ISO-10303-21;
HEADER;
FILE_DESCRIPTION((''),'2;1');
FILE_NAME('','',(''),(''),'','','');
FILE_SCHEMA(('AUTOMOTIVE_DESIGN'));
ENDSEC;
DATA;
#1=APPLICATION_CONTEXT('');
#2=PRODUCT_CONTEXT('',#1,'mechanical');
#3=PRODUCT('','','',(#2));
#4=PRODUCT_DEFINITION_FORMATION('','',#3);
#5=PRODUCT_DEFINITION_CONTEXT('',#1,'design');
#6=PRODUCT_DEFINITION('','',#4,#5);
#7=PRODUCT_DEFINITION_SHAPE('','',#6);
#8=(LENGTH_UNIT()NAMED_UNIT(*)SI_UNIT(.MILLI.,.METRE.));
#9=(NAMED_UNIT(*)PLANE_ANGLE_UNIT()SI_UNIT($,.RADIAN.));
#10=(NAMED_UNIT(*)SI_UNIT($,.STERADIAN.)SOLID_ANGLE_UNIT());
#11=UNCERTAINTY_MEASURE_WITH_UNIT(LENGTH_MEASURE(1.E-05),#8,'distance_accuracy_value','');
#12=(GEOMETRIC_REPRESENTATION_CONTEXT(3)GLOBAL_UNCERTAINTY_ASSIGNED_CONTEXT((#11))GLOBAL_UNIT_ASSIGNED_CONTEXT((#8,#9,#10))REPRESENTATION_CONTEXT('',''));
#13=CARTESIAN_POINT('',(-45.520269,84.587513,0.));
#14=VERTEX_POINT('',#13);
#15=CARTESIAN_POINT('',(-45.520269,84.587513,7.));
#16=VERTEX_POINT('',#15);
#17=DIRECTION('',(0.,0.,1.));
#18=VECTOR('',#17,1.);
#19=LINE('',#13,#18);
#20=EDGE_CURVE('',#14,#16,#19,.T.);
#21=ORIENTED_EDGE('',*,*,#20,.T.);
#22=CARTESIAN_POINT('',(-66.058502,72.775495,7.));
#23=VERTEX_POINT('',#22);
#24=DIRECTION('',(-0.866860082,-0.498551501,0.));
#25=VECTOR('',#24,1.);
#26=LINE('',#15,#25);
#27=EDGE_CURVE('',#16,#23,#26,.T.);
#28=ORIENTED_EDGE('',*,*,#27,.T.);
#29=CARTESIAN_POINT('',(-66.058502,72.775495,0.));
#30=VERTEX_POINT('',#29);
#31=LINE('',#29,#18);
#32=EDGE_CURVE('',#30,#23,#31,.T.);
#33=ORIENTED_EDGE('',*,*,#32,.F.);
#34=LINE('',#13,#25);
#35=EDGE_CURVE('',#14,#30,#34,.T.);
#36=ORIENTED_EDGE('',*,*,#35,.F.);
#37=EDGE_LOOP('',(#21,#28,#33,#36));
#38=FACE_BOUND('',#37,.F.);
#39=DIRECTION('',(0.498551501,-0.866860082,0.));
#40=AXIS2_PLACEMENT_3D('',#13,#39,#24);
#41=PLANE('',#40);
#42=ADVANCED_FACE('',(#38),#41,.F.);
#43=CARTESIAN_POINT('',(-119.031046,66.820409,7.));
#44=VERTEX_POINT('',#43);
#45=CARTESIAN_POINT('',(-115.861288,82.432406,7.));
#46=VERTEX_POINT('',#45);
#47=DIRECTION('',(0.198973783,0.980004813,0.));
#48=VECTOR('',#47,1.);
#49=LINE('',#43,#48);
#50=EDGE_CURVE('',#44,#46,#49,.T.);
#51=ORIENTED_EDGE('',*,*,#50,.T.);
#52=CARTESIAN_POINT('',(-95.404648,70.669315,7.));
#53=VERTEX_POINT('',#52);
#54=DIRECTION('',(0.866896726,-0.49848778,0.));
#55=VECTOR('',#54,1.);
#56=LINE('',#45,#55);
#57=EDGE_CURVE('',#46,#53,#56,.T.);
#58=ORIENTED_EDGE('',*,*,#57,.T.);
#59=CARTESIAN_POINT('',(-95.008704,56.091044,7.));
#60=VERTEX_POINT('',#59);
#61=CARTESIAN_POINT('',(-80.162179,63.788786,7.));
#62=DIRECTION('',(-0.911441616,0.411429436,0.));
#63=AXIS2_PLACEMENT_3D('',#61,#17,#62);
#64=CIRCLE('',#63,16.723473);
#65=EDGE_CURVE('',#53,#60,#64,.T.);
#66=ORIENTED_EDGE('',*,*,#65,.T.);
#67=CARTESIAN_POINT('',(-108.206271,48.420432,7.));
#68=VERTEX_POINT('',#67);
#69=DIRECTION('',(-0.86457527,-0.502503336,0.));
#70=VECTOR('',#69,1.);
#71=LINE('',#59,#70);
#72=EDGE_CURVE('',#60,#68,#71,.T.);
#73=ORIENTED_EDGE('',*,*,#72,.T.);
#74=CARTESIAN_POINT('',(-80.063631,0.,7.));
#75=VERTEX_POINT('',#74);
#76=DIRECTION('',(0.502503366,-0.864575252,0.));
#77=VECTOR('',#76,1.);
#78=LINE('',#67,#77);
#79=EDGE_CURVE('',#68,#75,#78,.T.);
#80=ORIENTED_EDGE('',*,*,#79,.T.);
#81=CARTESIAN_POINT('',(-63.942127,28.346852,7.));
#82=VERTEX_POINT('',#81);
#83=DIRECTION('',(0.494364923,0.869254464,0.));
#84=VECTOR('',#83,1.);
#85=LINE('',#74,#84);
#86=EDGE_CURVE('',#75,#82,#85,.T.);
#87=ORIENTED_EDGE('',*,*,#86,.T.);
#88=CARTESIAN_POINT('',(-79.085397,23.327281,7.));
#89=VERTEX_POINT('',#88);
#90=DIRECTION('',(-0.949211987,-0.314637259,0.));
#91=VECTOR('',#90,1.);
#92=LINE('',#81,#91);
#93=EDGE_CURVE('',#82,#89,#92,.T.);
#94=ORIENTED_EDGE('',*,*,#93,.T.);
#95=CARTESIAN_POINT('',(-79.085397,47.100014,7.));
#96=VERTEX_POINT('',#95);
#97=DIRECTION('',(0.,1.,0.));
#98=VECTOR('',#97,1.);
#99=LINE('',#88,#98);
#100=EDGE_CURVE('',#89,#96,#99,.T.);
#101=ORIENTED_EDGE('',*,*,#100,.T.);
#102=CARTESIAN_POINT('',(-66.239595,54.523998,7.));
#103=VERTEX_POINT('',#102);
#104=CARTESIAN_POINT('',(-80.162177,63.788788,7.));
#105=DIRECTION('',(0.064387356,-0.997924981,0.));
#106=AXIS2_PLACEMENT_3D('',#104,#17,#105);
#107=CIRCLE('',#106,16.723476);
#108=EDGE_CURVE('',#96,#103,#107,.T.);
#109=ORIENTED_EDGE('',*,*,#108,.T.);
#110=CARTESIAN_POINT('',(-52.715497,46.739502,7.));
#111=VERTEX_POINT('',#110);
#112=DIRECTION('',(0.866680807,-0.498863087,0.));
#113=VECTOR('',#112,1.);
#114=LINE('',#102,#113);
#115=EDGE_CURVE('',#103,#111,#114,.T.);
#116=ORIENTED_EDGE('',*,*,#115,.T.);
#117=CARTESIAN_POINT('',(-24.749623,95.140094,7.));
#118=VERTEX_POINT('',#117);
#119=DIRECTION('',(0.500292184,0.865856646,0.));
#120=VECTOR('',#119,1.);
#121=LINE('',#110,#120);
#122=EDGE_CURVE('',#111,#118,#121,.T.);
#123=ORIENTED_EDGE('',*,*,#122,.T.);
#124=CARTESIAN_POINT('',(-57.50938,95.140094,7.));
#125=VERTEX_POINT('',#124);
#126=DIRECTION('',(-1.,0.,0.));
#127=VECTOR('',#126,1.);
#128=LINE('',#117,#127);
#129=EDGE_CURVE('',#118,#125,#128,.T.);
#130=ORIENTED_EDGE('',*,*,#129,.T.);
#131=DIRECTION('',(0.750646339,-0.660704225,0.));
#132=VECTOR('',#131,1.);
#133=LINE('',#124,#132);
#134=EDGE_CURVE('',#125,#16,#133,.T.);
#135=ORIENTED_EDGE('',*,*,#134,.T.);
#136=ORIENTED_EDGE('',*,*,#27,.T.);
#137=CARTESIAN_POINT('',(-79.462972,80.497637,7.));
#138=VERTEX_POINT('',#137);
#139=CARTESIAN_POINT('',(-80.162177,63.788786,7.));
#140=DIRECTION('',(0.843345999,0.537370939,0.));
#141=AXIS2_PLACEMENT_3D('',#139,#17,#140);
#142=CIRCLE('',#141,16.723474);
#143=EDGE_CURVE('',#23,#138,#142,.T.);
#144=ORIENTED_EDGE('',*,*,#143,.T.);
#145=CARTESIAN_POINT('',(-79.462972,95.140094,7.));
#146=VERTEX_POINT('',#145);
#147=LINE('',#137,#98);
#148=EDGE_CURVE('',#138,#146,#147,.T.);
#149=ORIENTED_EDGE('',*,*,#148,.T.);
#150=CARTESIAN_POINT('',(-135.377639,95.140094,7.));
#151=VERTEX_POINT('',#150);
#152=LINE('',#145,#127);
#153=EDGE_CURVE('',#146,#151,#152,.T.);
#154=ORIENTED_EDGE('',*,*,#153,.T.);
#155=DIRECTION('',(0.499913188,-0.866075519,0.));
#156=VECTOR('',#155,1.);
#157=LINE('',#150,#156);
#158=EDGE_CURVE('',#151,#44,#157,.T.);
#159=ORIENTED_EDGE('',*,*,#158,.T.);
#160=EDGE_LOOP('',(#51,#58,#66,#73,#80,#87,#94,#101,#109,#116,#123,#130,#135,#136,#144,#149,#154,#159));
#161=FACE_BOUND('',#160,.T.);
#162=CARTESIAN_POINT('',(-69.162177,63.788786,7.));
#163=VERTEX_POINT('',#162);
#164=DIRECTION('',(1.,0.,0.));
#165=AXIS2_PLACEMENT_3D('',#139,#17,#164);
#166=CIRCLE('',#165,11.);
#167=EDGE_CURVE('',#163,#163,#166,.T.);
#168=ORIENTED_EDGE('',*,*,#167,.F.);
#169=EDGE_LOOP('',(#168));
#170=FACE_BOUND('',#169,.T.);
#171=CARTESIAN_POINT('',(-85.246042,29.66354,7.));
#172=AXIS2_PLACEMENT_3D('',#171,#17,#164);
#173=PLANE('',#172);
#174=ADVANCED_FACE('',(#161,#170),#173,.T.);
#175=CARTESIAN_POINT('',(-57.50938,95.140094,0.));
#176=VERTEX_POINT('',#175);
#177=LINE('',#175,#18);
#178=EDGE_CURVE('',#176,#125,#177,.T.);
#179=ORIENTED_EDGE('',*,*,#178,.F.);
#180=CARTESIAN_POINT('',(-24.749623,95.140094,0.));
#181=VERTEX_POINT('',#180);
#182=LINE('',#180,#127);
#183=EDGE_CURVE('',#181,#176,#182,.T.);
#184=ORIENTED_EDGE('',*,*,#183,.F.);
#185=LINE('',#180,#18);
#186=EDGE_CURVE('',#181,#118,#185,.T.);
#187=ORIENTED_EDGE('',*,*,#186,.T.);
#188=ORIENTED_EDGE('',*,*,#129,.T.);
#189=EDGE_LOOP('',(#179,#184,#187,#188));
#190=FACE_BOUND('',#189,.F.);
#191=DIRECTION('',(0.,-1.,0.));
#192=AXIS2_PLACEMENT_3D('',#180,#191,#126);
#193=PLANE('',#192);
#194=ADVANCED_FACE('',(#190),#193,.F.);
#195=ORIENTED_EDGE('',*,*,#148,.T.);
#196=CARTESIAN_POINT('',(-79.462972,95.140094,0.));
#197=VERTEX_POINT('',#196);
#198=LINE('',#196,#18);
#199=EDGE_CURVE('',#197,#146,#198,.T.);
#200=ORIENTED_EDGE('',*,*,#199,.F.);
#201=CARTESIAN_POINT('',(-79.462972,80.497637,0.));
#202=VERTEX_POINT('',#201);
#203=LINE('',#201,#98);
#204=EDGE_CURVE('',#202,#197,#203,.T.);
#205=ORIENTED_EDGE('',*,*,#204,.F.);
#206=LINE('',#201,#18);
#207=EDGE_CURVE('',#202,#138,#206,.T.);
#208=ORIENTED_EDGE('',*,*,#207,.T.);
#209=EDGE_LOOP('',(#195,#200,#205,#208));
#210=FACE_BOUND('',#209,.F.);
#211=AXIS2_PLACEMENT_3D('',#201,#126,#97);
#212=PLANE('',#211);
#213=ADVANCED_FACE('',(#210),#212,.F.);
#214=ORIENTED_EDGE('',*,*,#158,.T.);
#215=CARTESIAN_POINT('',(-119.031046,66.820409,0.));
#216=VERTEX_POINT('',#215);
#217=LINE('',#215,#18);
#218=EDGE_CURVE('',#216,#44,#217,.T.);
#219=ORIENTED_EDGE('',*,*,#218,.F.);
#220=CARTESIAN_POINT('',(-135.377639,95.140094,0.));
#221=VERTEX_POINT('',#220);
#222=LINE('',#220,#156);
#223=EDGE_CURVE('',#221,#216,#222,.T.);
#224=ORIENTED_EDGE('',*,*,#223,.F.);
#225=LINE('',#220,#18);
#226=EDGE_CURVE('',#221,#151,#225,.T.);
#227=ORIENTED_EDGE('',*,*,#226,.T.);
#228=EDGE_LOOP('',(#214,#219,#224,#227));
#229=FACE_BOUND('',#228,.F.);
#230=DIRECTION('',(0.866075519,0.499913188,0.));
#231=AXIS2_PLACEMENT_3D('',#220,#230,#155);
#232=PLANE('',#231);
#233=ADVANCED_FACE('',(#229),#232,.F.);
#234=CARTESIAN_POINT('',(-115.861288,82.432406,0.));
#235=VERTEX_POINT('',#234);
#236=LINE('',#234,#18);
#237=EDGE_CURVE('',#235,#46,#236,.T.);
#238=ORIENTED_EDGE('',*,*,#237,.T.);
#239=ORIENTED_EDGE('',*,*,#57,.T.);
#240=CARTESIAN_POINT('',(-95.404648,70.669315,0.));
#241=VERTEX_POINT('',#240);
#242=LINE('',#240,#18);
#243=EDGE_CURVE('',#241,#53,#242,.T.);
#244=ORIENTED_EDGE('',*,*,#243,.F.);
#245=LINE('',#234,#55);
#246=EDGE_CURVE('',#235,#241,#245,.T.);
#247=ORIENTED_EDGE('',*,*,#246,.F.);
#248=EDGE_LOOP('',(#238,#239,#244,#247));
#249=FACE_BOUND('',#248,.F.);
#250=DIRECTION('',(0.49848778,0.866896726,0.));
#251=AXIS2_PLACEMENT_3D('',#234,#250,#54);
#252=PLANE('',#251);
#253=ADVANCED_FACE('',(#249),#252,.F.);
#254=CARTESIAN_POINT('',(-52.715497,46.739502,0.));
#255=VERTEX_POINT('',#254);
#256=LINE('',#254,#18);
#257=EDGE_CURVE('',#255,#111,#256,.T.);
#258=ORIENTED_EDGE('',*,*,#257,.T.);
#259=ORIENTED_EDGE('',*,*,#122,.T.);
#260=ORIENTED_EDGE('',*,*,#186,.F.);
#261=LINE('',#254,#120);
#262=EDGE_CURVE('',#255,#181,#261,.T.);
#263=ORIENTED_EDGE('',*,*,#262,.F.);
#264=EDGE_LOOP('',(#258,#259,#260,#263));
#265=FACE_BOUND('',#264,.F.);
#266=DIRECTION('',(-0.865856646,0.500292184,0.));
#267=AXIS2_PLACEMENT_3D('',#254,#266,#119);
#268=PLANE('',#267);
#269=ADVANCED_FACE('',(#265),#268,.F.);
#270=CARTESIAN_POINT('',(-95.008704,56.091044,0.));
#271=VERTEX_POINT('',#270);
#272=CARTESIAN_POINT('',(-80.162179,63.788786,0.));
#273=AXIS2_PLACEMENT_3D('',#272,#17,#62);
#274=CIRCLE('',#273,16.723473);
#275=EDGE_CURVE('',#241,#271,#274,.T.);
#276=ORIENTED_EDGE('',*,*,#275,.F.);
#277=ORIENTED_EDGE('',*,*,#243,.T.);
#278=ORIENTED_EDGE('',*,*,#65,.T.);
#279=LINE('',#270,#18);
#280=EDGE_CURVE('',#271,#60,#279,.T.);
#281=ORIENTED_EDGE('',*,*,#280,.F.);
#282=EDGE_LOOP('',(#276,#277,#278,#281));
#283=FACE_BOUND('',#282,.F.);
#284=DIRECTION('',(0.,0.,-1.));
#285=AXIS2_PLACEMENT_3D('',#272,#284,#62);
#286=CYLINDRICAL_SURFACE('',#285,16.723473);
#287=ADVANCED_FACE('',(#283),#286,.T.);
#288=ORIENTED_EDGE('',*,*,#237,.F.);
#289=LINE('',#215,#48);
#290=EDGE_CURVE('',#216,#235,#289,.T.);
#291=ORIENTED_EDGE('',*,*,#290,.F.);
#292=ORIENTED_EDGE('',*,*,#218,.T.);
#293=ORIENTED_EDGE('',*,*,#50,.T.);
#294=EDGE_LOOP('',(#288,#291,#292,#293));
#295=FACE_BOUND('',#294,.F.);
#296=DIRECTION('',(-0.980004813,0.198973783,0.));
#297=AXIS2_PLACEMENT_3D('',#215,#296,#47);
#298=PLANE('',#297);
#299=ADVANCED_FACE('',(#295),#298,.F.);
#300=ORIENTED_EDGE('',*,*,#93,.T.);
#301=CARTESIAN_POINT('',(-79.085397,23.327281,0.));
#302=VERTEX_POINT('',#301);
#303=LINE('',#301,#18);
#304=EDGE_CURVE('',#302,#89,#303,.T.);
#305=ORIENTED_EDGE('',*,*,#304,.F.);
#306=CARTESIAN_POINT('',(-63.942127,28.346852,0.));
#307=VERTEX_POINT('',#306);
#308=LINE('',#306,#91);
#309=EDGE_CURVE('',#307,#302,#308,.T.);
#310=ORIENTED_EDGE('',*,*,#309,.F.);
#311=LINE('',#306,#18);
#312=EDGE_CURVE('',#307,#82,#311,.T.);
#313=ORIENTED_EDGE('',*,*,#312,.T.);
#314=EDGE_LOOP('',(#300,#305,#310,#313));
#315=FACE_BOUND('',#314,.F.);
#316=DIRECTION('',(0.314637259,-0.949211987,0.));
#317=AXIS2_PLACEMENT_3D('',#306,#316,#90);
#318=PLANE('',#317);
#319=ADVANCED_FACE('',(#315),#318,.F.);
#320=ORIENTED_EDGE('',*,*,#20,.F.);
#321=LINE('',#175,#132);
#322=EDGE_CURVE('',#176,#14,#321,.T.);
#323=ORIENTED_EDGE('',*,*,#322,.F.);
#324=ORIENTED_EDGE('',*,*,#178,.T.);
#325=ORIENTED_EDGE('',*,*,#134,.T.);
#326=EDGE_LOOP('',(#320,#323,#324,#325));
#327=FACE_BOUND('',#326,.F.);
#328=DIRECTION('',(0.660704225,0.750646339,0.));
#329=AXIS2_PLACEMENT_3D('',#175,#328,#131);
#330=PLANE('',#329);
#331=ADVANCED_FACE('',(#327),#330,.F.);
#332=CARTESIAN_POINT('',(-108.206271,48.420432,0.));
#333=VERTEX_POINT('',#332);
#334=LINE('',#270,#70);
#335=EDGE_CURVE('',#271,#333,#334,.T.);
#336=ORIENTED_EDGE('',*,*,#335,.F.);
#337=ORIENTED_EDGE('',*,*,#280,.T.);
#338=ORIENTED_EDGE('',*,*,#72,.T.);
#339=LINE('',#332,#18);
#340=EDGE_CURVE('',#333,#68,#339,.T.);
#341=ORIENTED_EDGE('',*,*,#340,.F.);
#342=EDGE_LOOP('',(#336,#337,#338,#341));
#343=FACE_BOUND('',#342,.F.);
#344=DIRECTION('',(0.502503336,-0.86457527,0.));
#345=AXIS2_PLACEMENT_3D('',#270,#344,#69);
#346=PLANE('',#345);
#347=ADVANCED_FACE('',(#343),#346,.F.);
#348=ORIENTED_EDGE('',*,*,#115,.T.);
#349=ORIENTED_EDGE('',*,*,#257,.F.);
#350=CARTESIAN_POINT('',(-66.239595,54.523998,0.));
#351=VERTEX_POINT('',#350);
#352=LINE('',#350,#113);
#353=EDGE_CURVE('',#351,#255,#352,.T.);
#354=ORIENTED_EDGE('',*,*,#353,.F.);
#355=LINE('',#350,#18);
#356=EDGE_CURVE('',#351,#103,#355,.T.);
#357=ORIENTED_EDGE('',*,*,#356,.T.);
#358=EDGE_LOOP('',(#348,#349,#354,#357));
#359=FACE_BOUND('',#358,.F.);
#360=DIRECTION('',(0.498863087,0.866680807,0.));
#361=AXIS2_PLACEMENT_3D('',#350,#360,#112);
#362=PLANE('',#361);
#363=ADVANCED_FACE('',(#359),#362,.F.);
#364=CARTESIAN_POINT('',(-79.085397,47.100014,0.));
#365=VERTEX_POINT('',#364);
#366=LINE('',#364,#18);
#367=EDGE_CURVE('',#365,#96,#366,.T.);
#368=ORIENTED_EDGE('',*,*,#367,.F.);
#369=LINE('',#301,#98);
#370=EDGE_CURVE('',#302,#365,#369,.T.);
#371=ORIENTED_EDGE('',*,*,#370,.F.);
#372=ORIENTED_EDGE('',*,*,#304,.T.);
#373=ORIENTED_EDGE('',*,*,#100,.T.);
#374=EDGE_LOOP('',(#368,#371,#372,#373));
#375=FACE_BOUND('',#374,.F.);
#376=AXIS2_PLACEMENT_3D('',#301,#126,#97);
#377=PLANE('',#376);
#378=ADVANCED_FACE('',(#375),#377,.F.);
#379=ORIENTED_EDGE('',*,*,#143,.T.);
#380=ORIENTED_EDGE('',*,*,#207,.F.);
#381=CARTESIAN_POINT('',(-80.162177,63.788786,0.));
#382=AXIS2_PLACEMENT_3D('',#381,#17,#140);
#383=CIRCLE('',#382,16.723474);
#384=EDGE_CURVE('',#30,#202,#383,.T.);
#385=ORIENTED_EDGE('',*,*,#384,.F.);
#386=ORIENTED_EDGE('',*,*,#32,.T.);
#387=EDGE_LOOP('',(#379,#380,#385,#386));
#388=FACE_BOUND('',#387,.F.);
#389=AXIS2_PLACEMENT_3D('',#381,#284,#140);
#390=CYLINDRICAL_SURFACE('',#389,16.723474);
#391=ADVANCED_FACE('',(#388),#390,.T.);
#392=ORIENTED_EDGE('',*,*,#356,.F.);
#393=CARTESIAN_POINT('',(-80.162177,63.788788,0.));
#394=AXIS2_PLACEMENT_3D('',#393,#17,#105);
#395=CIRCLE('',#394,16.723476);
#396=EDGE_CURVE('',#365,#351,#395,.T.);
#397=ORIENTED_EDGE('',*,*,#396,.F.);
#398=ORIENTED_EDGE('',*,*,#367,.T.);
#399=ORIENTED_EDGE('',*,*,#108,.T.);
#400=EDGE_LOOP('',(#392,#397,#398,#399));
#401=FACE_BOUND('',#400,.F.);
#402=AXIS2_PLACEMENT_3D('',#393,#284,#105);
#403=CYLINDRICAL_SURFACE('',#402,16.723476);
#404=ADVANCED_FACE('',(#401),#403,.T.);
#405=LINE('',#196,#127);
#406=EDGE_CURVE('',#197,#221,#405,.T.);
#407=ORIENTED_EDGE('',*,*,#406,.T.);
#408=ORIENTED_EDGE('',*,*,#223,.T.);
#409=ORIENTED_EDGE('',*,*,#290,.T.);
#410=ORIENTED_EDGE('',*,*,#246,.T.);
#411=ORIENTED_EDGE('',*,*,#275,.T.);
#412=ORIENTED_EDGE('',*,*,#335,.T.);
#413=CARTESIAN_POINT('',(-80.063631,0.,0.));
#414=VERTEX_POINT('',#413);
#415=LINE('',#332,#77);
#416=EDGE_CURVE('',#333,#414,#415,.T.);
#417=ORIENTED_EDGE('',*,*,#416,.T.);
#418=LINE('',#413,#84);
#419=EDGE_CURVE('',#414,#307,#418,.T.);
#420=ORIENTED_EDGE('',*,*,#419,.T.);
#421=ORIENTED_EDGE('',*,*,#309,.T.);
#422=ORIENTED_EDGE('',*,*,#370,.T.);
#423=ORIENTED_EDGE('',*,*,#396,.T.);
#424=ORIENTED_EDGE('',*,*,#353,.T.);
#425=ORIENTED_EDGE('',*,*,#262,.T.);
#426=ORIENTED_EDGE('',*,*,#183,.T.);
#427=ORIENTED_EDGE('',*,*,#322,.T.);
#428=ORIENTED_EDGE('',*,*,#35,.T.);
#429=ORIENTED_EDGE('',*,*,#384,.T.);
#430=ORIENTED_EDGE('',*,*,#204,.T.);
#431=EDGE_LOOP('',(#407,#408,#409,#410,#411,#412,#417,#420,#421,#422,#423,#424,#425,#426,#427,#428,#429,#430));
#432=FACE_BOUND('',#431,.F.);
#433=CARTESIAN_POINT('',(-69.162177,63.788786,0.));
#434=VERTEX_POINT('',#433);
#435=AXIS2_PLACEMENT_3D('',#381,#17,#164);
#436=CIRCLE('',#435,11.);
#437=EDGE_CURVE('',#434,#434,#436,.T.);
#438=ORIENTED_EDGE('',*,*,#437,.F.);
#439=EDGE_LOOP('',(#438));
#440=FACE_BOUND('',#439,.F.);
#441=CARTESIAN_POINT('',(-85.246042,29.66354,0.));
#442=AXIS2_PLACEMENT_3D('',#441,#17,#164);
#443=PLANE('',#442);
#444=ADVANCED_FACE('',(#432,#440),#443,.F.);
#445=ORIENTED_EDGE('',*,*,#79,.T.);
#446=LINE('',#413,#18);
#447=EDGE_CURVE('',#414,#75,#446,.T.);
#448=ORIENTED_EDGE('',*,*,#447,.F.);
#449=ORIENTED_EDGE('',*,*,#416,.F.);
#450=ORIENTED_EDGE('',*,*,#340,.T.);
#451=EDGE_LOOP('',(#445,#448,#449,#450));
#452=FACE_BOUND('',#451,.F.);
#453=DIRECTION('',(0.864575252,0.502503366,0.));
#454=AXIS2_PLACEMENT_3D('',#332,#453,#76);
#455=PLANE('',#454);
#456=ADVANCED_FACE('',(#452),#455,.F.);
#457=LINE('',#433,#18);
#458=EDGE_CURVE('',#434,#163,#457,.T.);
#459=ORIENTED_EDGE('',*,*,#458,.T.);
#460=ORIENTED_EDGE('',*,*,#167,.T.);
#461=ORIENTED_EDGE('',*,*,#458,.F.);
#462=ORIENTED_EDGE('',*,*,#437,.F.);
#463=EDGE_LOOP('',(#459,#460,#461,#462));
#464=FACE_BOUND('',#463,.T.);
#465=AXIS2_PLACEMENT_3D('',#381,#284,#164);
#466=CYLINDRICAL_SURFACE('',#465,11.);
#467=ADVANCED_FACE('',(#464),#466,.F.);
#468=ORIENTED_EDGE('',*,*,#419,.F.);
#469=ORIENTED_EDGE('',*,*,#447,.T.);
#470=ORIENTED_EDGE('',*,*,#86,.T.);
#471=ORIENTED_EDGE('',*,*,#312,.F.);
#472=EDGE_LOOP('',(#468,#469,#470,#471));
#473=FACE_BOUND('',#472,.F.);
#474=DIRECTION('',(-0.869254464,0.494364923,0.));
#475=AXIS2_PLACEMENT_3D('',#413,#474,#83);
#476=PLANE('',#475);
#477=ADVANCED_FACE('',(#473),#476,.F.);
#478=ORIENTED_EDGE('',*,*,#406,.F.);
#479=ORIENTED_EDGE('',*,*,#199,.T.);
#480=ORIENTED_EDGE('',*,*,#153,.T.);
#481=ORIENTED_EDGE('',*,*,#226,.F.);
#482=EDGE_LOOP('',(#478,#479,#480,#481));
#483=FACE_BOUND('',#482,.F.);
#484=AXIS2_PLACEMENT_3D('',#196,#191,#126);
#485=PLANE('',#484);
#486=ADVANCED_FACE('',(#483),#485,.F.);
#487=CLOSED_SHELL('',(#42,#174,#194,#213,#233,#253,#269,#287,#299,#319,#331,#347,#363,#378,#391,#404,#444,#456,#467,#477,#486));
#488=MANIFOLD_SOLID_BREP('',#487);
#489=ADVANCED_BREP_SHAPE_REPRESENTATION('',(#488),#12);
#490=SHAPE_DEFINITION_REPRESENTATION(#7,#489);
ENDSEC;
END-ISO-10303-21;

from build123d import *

# Parameters (mm, degrees)
F0_R     = 11
F1_DEPTH = 7


with BuildPart() as f1:
    # F0 (on Top) → F1 (new body)
    with BuildSketch(Plane.XY):
        with BuildLine():
            Line((-79.085397, 23.327281), (-79.085397, 47.100014))
            ThreePointArc((-79.085397, 47.100014), (-88.384777, 49.226388), (-95.008704, 56.091044))
            Line((-95.008704, 56.091044), (-108.206271, 48.420432))
            Line((-108.206271, 48.420432), (-80.063631, 0))
            Line((-80.063631, 0), (-63.942127, 28.346852))
            Line((-63.942127, 28.346852), (-79.085397, 23.327281))
        make_face()
        with BuildLine():
            ThreePointArc((-66.239595, 54.523998), (-64.154233, 58.949331), (-63.438703, 63.788786))
            ThreePointArc((-63.438703, 63.788786), (-64.107006, 68.469178), (-66.058502, 72.775495))
            ThreePointArc((-66.058502, 72.775495), (-71.814172, 78.279659), (-79.462972, 80.497637))
            ThreePointArc((-79.462972, 80.497637), (-88.938601, 78.024269), (-95.404648, 70.669315))
            ThreePointArc((-95.404648, 70.669315), (-96.879487, 63.334746), (-95.008704, 56.091044))
            ThreePointArc((-95.008704, 56.091044), (-88.384777, 49.226388), (-79.085397, 47.100014))
            ThreePointArc((-79.085397, 47.100014), (-71.794137, 49.309474), (-66.239595, 54.523998))
        make_face()
        with Locations((-80.162177, 63.788786)):
            Circle(F0_R, mode=Mode.SUBTRACT)
        with BuildLine():
            ThreePointArc((-95.404648, 70.669315), (-88.938601, 78.024269), (-79.462972, 80.497637))
            Line((-79.462972, 80.497637), (-79.462972, 95.140094))
            Line((-79.462972, 95.140094), (-135.377639, 95.140094))
            Line((-135.377639, 95.140094), (-119.031046, 66.820409))
            Line((-119.031046, 66.820409), (-115.861288, 82.432406))
            Line((-115.861288, 82.432406), (-95.404648, 70.669315))
        make_face()
        with BuildLine():
            ThreePointArc((-66.058502, 72.775495), (-64.107006, 68.469178), (-63.438703, 63.788786))
            ThreePointArc((-63.438703, 63.788786), (-64.154233, 58.949331), (-66.239595, 54.523998))
            Line((-66.239595, 54.523998), (-52.715497, 46.739502))
            Line((-52.715497, 46.739502), (-24.749623, 95.140094))
            Line((-24.749623, 95.140094), (-57.50938, 95.140094))
            Line((-57.50938, 95.140094), (-45.520269, 84.587513))
            Line((-45.520269, 84.587513), (-66.058502, 72.775495))
        make_face()
    extrude(amount=F1_DEPTH)


solid = f1.part
